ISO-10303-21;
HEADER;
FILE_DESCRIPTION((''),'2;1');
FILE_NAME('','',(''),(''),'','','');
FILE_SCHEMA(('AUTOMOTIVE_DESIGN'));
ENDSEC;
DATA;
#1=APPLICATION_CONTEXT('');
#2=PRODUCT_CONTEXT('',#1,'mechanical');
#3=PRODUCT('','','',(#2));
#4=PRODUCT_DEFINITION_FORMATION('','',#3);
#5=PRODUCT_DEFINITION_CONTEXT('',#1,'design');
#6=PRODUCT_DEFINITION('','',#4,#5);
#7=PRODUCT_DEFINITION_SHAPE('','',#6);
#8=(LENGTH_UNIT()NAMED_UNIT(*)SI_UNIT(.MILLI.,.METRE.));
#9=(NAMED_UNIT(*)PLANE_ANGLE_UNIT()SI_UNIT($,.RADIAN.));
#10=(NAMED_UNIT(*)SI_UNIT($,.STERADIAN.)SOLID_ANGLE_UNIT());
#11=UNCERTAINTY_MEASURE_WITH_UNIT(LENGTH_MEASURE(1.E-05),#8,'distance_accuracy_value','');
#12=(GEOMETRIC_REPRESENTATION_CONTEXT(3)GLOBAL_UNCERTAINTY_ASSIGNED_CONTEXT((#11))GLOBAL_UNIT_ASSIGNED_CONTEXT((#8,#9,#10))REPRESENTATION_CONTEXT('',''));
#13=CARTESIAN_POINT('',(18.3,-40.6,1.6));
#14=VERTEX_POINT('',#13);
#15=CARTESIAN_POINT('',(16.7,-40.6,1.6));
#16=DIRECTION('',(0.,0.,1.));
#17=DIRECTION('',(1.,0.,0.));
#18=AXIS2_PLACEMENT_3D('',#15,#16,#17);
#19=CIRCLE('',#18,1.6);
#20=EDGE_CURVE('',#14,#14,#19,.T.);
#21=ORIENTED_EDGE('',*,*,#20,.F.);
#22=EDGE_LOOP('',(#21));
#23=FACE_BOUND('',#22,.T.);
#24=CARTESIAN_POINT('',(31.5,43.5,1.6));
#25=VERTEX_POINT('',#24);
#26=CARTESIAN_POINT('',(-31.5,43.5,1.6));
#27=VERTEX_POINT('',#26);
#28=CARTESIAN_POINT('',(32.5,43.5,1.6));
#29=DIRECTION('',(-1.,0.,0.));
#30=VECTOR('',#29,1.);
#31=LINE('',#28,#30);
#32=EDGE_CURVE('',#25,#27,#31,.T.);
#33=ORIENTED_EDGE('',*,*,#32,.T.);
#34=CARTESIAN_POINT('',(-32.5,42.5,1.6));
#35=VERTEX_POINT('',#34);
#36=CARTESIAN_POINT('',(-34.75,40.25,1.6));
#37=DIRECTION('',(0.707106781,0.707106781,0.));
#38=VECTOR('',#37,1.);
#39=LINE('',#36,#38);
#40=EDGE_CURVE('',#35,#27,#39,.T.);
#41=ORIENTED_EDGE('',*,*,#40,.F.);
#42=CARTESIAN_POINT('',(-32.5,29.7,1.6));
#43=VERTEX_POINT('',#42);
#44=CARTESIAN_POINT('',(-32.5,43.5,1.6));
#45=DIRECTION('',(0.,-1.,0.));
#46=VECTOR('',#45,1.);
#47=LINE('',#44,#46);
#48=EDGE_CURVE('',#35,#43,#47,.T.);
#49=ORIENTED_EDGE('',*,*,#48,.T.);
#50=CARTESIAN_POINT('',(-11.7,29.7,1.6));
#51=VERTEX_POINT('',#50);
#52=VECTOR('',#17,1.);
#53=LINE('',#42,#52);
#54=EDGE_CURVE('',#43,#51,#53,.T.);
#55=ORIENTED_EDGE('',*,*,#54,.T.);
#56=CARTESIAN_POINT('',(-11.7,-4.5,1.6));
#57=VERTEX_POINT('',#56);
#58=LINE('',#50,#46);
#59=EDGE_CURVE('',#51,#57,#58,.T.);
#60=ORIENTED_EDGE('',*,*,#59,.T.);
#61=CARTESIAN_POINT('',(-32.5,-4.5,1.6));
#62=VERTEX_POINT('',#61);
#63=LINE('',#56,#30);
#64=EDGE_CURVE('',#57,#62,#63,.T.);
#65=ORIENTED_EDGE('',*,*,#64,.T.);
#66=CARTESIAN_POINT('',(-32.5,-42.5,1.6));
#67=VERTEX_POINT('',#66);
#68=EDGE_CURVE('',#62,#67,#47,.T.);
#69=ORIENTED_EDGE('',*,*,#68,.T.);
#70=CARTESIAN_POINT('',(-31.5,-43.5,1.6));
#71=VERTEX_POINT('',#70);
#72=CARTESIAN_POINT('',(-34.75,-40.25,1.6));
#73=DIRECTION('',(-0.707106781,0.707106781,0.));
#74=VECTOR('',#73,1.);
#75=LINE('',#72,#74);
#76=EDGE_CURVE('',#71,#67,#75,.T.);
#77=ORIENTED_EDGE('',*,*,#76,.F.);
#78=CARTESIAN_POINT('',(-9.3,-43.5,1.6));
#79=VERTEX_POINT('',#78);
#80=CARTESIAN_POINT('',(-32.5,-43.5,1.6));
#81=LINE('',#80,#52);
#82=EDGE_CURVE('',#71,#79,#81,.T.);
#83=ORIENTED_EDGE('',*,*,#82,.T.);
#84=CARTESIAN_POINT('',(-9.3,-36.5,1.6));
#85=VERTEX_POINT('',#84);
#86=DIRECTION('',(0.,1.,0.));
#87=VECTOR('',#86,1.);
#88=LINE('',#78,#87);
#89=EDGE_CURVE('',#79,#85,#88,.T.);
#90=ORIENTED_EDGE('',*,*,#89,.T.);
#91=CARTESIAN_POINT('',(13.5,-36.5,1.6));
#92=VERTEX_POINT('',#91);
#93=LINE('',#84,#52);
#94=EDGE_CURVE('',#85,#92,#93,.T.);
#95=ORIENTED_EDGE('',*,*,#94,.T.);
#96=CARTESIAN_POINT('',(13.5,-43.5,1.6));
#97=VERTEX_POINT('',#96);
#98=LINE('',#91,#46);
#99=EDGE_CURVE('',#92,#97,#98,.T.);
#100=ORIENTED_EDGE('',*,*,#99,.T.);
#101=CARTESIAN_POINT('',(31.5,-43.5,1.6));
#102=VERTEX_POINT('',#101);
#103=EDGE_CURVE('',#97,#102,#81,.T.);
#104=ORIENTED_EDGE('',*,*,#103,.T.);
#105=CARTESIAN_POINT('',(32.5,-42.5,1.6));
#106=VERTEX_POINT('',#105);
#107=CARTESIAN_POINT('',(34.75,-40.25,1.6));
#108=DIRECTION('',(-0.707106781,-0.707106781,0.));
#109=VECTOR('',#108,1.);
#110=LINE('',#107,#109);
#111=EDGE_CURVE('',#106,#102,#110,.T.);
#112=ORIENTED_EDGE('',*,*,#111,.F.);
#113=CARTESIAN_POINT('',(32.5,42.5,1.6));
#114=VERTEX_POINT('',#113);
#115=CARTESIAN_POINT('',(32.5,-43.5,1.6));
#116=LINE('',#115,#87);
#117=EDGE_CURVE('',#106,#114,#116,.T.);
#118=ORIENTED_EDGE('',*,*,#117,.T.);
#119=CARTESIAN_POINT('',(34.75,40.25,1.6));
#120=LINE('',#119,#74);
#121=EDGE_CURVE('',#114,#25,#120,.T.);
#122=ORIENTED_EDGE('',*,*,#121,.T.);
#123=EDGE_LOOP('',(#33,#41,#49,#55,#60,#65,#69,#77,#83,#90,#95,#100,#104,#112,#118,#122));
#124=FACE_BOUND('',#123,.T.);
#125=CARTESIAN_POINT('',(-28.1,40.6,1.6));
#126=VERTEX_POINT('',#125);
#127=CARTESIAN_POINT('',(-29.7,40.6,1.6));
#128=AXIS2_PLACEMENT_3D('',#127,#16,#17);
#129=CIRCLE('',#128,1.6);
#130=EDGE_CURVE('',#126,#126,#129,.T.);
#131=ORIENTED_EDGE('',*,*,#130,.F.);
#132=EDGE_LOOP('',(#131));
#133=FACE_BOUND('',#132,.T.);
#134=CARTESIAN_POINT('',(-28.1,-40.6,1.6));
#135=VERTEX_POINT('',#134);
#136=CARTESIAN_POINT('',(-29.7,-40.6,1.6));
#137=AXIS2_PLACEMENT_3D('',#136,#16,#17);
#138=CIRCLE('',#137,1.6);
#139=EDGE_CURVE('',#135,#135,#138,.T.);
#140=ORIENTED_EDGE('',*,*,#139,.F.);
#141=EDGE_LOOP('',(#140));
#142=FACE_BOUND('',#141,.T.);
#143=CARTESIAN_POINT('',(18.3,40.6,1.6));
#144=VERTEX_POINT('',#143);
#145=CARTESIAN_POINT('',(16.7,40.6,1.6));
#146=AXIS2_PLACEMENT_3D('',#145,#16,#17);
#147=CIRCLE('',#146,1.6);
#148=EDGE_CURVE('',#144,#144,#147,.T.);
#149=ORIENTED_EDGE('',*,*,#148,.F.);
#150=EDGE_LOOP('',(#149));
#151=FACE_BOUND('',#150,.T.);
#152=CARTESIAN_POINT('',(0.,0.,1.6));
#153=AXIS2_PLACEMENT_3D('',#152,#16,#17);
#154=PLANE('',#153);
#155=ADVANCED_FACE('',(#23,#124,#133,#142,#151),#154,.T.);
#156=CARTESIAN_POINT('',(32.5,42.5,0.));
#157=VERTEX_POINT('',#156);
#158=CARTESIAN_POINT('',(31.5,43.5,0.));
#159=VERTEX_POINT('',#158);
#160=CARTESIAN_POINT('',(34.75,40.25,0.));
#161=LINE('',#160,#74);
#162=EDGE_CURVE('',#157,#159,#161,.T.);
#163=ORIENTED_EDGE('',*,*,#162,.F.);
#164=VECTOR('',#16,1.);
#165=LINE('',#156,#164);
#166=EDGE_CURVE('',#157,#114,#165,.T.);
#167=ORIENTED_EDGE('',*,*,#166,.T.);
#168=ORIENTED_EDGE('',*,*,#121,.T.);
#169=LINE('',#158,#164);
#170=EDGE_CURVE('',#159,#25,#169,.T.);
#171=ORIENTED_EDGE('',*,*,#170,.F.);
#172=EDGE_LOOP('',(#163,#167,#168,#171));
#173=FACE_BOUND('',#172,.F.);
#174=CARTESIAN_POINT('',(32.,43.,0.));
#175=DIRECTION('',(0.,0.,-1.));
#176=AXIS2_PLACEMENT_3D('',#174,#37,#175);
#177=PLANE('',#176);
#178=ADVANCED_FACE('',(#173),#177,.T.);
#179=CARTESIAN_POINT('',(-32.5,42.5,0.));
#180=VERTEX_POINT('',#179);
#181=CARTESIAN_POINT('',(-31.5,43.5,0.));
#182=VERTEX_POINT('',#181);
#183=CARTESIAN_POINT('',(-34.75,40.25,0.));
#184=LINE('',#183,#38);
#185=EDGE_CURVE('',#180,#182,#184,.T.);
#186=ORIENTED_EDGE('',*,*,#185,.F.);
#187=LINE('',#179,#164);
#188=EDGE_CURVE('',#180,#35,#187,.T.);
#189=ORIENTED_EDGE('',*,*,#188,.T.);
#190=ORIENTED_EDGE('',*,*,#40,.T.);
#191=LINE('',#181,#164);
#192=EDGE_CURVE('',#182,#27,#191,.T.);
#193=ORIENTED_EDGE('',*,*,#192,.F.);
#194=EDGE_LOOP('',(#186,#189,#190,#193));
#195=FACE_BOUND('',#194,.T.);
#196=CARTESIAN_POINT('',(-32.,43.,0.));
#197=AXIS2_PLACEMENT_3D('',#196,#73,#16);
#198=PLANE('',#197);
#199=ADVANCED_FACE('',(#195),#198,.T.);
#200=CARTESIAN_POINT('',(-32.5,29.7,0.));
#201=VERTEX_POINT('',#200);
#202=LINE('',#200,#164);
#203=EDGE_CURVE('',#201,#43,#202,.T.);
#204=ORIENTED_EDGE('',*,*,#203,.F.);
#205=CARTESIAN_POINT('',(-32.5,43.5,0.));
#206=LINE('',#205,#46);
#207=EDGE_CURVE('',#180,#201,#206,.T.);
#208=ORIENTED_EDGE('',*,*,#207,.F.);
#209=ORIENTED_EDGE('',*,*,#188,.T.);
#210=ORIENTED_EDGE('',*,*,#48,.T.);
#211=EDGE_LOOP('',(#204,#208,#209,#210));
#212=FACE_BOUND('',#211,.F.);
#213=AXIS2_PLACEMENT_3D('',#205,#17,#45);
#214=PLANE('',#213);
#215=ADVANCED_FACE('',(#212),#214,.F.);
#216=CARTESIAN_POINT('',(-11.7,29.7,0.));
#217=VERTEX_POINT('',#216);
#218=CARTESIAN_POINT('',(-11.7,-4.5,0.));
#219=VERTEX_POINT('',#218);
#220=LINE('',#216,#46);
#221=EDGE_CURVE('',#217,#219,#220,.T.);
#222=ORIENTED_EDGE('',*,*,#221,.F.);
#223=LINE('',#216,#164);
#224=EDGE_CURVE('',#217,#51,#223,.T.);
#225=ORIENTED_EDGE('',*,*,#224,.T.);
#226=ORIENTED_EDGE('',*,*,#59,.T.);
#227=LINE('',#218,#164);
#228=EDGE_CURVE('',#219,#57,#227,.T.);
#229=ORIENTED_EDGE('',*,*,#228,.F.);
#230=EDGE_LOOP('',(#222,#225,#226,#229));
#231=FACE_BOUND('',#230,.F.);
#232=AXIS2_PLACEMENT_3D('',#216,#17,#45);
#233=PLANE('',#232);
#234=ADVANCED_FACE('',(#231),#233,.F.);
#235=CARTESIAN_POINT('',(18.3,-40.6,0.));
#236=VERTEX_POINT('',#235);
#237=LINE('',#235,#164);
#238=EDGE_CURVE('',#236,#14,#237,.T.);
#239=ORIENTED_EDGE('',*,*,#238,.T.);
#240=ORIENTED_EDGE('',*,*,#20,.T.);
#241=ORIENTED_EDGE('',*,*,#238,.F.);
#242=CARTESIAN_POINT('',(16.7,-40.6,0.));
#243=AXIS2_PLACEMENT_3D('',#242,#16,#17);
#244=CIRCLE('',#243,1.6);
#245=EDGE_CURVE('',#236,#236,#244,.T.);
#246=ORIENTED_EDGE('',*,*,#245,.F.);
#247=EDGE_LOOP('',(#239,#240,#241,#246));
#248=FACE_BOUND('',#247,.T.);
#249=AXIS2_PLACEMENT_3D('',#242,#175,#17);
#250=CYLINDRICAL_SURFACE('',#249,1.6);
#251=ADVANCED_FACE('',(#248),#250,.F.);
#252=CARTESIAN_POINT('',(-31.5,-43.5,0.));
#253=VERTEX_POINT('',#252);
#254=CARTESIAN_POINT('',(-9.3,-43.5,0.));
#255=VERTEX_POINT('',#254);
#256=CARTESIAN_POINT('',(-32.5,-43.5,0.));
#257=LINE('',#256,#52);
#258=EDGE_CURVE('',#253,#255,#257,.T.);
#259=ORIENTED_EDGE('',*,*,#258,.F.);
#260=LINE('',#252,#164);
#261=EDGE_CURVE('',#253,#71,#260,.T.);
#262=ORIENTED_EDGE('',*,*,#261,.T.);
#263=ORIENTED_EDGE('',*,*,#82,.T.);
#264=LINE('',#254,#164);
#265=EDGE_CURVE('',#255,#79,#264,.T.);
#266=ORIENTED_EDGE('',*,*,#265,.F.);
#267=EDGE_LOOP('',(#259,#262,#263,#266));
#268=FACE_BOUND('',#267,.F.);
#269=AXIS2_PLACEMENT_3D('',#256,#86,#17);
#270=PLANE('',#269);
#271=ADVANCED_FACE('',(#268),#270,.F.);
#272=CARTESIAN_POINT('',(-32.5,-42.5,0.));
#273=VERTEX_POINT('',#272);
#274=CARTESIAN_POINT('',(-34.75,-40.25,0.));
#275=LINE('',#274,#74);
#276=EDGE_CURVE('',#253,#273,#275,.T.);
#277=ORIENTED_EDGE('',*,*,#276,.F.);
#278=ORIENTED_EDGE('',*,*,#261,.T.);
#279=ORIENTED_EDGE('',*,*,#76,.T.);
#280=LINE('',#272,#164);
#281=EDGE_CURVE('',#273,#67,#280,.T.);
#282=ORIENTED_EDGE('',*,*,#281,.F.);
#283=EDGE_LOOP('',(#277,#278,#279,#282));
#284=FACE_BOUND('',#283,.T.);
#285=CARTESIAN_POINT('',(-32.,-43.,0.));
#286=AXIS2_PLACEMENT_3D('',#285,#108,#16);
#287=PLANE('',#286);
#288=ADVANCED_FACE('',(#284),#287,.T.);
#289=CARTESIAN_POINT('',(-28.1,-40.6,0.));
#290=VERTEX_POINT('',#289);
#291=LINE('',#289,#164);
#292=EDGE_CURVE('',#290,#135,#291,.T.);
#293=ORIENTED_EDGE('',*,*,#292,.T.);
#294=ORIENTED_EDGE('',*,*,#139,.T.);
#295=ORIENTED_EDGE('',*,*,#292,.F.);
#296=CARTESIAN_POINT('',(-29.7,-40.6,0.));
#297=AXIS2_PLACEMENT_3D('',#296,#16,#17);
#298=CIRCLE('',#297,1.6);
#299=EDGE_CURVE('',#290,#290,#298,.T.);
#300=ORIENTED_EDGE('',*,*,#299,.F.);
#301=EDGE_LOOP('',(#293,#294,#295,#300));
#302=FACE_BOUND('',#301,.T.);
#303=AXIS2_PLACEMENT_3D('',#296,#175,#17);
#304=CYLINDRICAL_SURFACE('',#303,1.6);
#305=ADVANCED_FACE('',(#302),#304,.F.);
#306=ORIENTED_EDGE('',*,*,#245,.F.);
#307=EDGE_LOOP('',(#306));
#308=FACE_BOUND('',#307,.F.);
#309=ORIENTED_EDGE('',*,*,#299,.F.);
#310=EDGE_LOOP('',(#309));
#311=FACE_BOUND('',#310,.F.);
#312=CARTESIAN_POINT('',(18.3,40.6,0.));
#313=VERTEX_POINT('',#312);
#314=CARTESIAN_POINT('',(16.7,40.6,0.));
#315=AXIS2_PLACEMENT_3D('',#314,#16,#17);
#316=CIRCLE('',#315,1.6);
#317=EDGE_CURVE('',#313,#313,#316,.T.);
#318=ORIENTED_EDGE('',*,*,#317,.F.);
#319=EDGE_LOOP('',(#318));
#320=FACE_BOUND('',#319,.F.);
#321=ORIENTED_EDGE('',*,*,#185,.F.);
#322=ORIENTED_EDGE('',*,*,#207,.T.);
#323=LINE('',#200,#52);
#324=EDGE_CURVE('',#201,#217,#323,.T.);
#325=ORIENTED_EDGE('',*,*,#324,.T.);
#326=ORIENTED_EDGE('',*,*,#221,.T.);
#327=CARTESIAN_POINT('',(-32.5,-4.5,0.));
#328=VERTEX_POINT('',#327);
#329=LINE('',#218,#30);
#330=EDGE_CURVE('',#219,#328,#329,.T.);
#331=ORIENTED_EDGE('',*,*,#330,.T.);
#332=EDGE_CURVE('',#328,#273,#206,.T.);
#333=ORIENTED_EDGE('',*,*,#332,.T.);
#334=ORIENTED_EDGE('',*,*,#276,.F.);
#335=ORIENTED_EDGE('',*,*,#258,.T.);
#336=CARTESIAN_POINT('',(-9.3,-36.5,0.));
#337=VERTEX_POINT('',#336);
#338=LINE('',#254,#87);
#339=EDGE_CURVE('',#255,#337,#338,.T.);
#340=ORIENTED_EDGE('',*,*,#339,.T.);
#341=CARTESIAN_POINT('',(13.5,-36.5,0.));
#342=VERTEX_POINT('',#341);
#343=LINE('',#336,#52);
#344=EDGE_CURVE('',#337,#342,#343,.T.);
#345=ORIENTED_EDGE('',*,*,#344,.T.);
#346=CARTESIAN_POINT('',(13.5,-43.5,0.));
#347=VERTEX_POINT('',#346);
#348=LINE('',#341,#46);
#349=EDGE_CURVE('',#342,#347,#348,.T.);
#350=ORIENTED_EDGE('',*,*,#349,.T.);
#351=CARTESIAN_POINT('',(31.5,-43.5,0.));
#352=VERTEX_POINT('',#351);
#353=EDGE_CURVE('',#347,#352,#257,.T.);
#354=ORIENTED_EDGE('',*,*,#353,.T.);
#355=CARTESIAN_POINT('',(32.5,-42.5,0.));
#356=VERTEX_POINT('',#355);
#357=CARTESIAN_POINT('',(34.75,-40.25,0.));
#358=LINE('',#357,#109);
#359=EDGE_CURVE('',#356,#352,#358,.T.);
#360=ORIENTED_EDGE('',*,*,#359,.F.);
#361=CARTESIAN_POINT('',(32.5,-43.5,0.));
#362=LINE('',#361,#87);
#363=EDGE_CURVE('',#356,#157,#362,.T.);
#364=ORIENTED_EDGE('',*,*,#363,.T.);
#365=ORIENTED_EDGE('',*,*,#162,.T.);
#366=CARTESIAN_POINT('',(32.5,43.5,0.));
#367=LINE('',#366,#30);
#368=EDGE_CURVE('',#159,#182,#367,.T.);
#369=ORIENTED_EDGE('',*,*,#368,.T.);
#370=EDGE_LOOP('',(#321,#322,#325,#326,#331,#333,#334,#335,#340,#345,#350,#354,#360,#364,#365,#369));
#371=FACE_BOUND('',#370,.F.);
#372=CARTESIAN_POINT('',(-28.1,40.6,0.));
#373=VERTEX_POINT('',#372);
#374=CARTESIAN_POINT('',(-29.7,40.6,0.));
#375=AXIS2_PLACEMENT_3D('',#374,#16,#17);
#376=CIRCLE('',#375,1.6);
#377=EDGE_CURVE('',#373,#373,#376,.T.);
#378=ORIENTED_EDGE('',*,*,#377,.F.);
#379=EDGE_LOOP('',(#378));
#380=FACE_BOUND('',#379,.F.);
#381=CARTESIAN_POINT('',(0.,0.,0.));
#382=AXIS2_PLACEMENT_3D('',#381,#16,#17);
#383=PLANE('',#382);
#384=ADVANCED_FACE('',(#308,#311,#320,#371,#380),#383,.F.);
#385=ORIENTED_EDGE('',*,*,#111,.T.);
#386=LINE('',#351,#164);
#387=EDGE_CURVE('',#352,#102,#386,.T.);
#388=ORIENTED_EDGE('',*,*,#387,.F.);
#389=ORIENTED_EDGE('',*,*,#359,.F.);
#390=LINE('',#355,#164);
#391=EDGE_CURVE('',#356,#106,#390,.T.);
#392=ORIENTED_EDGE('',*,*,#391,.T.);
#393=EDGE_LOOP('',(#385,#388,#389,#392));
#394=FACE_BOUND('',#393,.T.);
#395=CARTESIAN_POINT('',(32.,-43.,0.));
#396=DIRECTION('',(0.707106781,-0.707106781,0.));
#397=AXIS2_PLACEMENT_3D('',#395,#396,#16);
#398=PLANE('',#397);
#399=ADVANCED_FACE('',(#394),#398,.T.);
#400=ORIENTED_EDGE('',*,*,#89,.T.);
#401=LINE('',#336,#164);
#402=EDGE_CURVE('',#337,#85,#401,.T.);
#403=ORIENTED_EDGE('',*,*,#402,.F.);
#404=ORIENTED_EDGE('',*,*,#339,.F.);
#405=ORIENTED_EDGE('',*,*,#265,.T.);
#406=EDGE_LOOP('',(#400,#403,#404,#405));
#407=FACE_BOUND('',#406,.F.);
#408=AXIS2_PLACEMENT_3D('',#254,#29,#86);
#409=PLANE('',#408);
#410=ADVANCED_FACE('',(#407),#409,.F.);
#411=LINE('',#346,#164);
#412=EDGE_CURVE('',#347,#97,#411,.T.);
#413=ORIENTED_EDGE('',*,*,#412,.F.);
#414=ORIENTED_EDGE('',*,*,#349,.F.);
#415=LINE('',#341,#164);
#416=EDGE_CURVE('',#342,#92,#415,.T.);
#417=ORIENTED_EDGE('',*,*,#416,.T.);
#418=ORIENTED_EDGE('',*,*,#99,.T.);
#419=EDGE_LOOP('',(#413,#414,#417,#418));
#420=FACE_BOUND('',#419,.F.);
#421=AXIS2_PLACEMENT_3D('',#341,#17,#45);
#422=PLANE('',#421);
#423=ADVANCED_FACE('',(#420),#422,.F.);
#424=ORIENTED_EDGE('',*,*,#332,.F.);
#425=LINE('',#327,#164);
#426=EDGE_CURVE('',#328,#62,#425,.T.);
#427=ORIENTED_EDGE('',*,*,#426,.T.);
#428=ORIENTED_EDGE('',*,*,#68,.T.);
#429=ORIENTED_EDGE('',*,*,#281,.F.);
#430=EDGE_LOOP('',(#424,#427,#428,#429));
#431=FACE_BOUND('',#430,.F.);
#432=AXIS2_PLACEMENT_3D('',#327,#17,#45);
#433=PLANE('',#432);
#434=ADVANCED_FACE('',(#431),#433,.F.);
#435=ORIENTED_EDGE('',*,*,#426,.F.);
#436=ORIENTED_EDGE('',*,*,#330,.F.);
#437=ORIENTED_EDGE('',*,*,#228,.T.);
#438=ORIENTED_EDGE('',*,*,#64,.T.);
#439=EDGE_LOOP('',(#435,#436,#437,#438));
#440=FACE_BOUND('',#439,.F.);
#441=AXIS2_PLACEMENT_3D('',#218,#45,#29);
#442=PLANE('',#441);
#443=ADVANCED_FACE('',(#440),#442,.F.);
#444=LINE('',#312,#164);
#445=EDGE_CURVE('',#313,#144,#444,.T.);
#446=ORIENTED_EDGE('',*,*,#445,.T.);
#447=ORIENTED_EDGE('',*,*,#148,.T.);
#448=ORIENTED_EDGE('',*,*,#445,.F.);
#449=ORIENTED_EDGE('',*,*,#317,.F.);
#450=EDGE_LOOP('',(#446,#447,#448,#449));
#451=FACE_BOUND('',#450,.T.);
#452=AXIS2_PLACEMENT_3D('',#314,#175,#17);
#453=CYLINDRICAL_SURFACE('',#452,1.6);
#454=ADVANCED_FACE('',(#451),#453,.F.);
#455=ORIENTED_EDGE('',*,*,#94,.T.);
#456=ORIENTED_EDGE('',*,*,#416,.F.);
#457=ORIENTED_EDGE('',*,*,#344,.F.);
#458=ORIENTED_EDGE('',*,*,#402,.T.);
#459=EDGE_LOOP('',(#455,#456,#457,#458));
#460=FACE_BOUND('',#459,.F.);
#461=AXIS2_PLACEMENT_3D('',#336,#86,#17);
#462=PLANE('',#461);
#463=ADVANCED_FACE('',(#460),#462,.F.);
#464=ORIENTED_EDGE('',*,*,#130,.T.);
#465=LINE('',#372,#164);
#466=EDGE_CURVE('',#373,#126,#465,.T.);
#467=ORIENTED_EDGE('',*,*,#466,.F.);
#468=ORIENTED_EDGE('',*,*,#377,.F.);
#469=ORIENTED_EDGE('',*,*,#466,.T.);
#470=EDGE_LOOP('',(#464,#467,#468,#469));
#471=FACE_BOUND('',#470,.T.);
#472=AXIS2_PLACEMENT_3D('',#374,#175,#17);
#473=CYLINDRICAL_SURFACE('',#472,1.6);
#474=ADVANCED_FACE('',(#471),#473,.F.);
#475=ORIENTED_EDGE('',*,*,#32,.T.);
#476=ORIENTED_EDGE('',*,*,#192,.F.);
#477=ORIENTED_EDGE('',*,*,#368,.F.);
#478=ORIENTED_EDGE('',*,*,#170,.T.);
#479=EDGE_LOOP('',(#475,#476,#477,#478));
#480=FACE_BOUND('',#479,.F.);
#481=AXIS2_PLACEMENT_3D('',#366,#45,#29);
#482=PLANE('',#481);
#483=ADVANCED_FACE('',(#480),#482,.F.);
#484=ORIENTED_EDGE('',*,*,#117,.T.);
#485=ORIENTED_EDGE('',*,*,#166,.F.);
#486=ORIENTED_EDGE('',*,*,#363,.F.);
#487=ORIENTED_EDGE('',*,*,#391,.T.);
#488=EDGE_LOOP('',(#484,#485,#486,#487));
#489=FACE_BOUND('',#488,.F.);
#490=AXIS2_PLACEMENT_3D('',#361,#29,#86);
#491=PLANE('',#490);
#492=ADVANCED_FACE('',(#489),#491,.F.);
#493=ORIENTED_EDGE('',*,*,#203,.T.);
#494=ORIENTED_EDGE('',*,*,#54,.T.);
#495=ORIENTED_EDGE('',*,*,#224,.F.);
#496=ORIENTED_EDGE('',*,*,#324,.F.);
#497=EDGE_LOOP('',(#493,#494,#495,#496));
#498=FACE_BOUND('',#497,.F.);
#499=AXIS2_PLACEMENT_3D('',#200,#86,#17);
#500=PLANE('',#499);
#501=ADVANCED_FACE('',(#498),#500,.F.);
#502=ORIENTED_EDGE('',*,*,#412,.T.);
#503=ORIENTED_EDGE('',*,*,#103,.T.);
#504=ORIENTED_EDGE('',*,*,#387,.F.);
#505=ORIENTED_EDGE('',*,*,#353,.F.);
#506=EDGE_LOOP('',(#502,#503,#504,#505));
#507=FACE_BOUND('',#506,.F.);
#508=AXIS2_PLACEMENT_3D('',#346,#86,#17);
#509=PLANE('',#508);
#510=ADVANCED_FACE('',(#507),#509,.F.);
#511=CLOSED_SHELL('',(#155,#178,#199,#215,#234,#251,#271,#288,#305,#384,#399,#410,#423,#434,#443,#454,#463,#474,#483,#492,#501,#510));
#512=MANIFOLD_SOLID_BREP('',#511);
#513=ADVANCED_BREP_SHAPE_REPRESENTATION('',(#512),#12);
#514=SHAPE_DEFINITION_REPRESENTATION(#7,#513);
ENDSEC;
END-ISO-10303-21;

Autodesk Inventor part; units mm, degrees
ref_plane "YZ Plane" through (0, 0, 0) normal (1, 0, 0) x (0, 1, 0)
ref_plane "XZ Plane" through (0, 0, 0) normal (0, 1, 0) x (-1, 0, 0)
ref_plane "XY Plane" through (0, 0, 0) normal (0, 0, 1) x (1, 0, 0)
sketch "スケッチ1" plane through (0, 0, 0) normal (0, 0, 1) x (1, 0, 0)
  line L0 (32.5, 43.5) -> (-32.5, 43.5)
  line L1 (-32.5, 43.5) -> (-32.5, -43.5)
  line L2 (-32.5, -43.5) -> (32.5, -43.5)
  line L3 (32.5, -43.5) -> (32.5, 43.5)
  line L4 (32.5, 43.5) -> (-32.5, -43.5) construction
  line L5 (-32.5, 43.5) -> (32.5, -43.5) construction
  line L6 (-32.5, 29.7) -> (-11.7, 29.7)
  line L7 (-11.7, 29.7) -> (-11.7, -4.5)
  line L8 (-11.7, -4.5) -> (-32.5, -4.5)
  line L9 (-9.3, -43.5) -> (-9.3, -36.5)
  line L10 (-9.3, -36.5) -> (13.5, -36.5)
  line L11 (13.5, -36.5) -> (13.5, -43.5)
  line L12 (-29.7, -40.6) -> (16.7, -40.6) construction
  line L13 (16.7, -40.6) -> (16.7, 40.6) construction
  line L14 (16.7, 40.6) -> (-29.7, 40.6) construction
  line L15 (-29.7, 40.6) -> (-29.7, -40.6) construction
  line L16 (-29.7, -40.6) -> (16.7, 40.6) construction
  line L17 (16.7, -40.6) -> (-29.7, 40.6) construction
  circle A0 centre (16.7, 40.6) radius 1.6
  circle A1 centre (-29.7, 40.6) radius 1.6
  circle A2 centre (-29.7, -40.6) radius 1.6
  circle A3 centre (16.7, -40.6) radius 1.6
  line L18 (-32.5, 0) -> (32.5, 0) construction
  point P0 (0, 0)
  point P1 (0, 0)
  point P2 (0, 0)
  point P3 (-6.5, 0)
  dimension "d0" = 87
  dimension "d1" = 65
  dimension "d2" = 13.8
  dimension "d3" = 39
  dimension "d4" = 20.8
  dimension "d5" = 7
  dimension "d6" = 19
  dimension "d7" = 23.2
  dimension "d8" = 22.8
  dimension "d9" = 34.2
  dimension "d10" = 3.2
  dimension "d12" = 81.2
  dimension "d13" = 46.4
  dimension "d19" = 2.8
extrude "押し出し1" add sketch "スケッチ1" along normal blind 1.6 contours L3 L2 L11 L10 L9 L1 L8 L7 L6 L0
chamfer "面取り1" distance 1 angle 45 4 edges at (32.5, -43.5, 0.8) (-32.5, -43.5, 0.8) (32.5, 43.5, 0.8) (-32.5, 43.5, 0.8)
properties part number "A203-V2-Expansion-Board"
